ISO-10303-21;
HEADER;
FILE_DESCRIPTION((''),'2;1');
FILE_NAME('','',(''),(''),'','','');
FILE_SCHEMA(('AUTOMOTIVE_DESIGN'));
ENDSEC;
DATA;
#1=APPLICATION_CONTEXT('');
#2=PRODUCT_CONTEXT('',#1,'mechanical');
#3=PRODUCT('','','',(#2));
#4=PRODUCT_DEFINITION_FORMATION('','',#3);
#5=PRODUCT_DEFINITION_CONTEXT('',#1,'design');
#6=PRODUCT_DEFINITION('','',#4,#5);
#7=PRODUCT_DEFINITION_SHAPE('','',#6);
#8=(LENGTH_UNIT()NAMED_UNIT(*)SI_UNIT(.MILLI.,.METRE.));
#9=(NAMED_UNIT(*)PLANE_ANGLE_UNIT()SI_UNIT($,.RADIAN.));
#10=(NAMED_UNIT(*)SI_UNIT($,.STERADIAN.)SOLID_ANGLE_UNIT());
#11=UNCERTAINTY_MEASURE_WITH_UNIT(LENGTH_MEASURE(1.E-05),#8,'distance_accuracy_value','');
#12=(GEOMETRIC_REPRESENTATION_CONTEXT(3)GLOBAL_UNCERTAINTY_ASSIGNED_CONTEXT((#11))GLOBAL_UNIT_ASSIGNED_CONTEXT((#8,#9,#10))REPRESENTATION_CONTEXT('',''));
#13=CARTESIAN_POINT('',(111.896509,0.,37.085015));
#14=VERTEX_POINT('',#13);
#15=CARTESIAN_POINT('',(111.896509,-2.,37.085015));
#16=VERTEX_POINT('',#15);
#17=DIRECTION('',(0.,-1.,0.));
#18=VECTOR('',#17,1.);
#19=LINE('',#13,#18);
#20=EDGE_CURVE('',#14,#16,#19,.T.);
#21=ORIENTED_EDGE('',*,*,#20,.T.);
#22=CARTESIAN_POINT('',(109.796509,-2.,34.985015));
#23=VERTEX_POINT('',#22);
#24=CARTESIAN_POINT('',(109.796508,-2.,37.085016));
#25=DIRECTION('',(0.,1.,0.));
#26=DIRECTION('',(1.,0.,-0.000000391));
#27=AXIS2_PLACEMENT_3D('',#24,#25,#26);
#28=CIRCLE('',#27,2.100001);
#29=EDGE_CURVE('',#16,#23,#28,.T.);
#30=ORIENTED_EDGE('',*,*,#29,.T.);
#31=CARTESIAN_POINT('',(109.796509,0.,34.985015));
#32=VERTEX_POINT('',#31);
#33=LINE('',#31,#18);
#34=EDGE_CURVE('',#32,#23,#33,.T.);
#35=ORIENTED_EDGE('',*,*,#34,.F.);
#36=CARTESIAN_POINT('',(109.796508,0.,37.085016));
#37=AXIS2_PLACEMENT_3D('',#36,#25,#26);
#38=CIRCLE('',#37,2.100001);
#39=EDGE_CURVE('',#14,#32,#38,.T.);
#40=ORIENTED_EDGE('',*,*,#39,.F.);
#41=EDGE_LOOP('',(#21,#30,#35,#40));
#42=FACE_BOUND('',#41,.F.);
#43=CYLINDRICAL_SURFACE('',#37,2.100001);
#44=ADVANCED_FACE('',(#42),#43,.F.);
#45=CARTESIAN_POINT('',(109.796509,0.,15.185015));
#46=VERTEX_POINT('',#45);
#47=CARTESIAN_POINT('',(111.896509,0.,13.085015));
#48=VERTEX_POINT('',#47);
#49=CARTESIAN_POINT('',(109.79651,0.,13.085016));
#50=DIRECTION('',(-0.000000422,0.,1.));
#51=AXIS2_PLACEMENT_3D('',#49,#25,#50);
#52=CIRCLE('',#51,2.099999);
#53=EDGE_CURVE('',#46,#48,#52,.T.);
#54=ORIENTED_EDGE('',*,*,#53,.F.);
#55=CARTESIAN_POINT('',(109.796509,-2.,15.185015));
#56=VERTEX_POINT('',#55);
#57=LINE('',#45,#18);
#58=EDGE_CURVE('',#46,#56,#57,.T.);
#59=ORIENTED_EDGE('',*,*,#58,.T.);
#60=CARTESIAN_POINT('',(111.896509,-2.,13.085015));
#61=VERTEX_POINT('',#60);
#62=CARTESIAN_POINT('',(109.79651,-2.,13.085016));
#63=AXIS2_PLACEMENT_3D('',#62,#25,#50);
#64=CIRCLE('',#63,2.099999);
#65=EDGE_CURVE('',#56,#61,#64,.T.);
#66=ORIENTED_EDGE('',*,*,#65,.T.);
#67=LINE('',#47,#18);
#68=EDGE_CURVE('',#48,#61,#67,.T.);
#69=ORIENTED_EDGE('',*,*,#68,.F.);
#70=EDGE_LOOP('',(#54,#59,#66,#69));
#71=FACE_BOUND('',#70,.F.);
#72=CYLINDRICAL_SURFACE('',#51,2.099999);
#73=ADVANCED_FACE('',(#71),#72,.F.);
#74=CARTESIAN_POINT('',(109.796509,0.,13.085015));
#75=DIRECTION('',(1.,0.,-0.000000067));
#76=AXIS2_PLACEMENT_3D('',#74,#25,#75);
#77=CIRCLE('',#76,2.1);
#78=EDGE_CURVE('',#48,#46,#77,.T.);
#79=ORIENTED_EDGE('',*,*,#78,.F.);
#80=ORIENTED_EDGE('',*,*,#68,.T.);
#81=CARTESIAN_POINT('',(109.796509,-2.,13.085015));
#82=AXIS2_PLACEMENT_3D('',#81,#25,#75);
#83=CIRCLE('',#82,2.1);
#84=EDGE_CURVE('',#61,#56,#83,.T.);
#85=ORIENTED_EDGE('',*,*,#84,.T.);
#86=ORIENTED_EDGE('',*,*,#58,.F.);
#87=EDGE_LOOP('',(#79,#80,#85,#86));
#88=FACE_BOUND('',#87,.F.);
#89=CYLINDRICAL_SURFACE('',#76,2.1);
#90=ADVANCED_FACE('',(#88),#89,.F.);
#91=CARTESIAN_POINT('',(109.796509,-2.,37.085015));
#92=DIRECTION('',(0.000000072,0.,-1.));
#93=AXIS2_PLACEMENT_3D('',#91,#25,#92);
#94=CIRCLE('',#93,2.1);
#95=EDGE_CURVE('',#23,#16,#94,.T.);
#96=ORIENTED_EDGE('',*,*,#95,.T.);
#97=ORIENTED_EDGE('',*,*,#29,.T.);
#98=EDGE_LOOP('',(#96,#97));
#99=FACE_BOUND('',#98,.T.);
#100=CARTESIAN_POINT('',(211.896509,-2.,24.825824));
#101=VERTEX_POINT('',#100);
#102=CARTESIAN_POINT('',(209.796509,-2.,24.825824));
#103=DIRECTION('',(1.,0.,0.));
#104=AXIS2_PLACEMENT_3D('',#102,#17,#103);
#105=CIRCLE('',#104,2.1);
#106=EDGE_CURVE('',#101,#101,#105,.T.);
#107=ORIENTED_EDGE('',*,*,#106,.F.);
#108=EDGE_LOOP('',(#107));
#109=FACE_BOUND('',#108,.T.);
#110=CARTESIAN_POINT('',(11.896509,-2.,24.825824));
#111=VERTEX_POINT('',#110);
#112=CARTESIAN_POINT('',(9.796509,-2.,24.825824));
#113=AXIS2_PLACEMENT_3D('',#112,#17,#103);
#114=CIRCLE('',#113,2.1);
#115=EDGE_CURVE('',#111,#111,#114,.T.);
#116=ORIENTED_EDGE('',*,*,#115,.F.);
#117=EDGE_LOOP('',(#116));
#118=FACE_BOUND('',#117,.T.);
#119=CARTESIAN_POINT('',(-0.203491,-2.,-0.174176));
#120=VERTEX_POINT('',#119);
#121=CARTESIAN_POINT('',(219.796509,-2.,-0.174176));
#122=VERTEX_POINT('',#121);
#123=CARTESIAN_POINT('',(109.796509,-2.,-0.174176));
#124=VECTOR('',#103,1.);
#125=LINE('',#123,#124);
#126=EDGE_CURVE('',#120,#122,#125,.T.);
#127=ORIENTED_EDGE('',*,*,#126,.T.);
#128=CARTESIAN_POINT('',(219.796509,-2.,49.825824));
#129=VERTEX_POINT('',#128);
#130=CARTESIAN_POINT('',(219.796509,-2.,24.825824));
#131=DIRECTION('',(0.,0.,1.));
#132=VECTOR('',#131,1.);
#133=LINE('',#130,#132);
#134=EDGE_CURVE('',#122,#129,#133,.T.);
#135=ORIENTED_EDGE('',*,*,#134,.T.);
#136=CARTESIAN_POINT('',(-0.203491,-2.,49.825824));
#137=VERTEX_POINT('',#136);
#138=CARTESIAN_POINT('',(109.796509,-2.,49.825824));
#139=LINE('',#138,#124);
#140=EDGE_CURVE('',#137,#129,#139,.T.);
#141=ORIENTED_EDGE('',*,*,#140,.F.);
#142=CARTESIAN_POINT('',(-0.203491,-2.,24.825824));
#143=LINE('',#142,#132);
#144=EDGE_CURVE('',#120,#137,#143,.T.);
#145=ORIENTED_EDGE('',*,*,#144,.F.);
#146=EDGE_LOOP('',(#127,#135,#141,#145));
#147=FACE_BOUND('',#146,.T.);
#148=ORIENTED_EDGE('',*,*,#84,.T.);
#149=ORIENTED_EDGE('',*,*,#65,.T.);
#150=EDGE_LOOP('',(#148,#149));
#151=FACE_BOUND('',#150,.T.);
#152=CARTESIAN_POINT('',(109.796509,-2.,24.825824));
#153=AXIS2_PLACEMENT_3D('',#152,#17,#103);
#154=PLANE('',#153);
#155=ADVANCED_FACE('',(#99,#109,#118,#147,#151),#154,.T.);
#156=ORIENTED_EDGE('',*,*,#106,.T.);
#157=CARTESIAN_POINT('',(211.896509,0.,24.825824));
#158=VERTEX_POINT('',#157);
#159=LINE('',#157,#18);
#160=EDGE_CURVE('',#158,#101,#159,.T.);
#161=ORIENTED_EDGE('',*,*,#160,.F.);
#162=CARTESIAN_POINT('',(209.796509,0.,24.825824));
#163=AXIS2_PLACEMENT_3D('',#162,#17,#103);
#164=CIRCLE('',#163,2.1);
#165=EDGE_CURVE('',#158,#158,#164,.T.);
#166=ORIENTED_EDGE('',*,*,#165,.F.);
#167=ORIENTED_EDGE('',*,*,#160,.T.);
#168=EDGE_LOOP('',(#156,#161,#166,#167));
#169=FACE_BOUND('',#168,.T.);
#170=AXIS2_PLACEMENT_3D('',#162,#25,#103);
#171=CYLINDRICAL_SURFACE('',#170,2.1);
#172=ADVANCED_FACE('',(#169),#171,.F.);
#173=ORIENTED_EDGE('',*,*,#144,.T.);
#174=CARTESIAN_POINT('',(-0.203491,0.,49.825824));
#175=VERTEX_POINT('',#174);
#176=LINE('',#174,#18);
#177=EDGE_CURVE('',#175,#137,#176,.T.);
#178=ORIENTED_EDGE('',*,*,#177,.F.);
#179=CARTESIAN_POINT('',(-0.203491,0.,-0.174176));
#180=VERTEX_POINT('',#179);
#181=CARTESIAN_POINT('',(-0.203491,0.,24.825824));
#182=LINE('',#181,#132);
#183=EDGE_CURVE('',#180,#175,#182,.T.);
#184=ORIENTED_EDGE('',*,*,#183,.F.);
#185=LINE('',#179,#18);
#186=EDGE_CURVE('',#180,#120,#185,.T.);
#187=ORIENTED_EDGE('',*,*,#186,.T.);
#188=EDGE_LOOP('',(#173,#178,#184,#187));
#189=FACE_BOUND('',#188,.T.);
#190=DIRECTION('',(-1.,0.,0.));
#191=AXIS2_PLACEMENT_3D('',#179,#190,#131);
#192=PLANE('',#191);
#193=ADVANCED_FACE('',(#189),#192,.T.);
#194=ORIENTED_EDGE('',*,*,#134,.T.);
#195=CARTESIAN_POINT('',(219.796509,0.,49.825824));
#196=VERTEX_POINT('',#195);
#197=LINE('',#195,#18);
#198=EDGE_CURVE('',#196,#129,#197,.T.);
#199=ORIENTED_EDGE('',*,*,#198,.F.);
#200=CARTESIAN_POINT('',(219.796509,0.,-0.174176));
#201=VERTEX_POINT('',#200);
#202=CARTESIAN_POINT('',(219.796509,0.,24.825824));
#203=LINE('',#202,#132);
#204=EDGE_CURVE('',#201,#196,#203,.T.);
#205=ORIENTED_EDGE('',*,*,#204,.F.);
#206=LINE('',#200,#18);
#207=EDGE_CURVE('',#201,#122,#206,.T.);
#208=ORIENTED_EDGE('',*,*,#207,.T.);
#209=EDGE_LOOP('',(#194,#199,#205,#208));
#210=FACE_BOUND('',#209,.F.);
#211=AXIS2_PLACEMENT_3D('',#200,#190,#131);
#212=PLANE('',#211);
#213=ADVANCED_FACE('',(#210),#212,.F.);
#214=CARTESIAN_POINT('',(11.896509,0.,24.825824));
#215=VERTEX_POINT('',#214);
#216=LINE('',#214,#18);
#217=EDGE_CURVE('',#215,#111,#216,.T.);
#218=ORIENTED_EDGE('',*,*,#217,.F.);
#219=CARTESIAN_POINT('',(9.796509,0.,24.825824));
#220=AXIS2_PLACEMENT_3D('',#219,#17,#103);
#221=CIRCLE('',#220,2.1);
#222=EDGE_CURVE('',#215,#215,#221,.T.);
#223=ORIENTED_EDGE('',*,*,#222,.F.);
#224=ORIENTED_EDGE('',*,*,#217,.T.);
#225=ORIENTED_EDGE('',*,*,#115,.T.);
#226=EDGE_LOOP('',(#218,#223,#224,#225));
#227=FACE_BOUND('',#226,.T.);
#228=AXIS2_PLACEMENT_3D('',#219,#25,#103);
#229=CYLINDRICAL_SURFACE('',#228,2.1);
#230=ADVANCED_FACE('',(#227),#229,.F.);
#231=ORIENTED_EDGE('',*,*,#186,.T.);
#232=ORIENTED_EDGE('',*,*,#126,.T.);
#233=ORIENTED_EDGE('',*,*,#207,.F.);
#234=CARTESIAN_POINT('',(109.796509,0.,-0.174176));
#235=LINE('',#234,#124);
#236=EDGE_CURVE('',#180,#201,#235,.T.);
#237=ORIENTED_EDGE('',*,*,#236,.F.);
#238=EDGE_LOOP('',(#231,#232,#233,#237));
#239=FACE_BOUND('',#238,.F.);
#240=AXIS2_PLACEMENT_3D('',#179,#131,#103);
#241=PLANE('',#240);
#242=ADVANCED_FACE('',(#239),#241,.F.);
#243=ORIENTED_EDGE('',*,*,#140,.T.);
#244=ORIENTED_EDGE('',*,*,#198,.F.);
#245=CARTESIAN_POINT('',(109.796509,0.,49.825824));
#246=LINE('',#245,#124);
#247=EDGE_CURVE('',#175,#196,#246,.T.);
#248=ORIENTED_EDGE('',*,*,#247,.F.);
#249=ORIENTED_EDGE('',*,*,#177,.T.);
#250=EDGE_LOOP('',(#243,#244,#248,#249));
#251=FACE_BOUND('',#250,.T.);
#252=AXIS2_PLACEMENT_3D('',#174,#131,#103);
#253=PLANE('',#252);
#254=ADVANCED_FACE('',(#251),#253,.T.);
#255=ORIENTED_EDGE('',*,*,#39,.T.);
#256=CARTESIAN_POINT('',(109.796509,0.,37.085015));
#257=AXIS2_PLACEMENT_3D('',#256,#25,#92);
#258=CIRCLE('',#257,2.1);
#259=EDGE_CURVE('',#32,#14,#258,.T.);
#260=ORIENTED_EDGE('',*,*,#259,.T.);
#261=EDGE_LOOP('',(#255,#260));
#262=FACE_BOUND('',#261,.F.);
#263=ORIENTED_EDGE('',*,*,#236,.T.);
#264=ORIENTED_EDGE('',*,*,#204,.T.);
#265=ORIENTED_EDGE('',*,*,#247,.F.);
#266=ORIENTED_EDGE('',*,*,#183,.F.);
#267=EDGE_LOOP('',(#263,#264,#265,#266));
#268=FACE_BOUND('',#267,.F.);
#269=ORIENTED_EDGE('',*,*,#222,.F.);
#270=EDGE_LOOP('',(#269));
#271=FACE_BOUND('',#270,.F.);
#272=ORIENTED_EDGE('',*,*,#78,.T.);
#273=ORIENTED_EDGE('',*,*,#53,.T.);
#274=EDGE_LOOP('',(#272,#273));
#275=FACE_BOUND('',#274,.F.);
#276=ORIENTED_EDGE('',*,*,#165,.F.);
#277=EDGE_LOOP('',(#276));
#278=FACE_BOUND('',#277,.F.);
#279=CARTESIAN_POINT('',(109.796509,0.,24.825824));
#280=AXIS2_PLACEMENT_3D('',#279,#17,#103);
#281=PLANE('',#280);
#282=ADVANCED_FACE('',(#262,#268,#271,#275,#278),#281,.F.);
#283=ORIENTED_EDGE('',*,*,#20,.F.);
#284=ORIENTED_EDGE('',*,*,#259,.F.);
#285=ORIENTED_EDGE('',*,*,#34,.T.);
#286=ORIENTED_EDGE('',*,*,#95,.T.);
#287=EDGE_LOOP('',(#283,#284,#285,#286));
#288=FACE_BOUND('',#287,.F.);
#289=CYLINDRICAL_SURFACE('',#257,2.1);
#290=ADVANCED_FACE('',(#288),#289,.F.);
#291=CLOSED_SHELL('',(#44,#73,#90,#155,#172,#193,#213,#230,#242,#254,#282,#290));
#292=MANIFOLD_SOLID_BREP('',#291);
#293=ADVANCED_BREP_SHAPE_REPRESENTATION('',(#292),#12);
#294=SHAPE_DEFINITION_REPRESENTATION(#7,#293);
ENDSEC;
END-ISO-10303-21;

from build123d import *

# Parameters (mm, degrees)
F0_W     = 220
F0_H     = 50
F0_R     = 2.1
F1_DEPTH = 2


with BuildPart() as f1:
    # F0 (on Front) → F1 (new body)
    with BuildSketch(Plane.XZ):
        with Locations((109.796509, 24.825824)):
            Rectangle(F0_W, F0_H)
        with BuildLine():
            ThreePointArc((111.896509, 13.085015), (108.311585, 11.600091), (109.796509, 15.185015))
            ThreePointArc((109.796509, 15.185015), (111.281433, 14.56994), (111.896509, 13.085015))
        make_face(mode=Mode.SUBTRACT)
        with Locations((9.796509, 24.825824)):
            Circle(F0_R, mode=Mode.SUBTRACT)
        with BuildLine():
            ThreePointArc((109.796509, 34.985015), (108.311585, 38.56994), (111.896509, 37.085015))
            ThreePointArc((111.896509, 37.085015), (111.281433, 35.600091), (109.796509, 34.985015))
        make_face(mode=Mode.SUBTRACT)
        with Locations((209.796509, 24.825824)):
            Circle(F0_R, mode=Mode.SUBTRACT)
    extrude(amount=F1_DEPTH)


solid = f1.part
